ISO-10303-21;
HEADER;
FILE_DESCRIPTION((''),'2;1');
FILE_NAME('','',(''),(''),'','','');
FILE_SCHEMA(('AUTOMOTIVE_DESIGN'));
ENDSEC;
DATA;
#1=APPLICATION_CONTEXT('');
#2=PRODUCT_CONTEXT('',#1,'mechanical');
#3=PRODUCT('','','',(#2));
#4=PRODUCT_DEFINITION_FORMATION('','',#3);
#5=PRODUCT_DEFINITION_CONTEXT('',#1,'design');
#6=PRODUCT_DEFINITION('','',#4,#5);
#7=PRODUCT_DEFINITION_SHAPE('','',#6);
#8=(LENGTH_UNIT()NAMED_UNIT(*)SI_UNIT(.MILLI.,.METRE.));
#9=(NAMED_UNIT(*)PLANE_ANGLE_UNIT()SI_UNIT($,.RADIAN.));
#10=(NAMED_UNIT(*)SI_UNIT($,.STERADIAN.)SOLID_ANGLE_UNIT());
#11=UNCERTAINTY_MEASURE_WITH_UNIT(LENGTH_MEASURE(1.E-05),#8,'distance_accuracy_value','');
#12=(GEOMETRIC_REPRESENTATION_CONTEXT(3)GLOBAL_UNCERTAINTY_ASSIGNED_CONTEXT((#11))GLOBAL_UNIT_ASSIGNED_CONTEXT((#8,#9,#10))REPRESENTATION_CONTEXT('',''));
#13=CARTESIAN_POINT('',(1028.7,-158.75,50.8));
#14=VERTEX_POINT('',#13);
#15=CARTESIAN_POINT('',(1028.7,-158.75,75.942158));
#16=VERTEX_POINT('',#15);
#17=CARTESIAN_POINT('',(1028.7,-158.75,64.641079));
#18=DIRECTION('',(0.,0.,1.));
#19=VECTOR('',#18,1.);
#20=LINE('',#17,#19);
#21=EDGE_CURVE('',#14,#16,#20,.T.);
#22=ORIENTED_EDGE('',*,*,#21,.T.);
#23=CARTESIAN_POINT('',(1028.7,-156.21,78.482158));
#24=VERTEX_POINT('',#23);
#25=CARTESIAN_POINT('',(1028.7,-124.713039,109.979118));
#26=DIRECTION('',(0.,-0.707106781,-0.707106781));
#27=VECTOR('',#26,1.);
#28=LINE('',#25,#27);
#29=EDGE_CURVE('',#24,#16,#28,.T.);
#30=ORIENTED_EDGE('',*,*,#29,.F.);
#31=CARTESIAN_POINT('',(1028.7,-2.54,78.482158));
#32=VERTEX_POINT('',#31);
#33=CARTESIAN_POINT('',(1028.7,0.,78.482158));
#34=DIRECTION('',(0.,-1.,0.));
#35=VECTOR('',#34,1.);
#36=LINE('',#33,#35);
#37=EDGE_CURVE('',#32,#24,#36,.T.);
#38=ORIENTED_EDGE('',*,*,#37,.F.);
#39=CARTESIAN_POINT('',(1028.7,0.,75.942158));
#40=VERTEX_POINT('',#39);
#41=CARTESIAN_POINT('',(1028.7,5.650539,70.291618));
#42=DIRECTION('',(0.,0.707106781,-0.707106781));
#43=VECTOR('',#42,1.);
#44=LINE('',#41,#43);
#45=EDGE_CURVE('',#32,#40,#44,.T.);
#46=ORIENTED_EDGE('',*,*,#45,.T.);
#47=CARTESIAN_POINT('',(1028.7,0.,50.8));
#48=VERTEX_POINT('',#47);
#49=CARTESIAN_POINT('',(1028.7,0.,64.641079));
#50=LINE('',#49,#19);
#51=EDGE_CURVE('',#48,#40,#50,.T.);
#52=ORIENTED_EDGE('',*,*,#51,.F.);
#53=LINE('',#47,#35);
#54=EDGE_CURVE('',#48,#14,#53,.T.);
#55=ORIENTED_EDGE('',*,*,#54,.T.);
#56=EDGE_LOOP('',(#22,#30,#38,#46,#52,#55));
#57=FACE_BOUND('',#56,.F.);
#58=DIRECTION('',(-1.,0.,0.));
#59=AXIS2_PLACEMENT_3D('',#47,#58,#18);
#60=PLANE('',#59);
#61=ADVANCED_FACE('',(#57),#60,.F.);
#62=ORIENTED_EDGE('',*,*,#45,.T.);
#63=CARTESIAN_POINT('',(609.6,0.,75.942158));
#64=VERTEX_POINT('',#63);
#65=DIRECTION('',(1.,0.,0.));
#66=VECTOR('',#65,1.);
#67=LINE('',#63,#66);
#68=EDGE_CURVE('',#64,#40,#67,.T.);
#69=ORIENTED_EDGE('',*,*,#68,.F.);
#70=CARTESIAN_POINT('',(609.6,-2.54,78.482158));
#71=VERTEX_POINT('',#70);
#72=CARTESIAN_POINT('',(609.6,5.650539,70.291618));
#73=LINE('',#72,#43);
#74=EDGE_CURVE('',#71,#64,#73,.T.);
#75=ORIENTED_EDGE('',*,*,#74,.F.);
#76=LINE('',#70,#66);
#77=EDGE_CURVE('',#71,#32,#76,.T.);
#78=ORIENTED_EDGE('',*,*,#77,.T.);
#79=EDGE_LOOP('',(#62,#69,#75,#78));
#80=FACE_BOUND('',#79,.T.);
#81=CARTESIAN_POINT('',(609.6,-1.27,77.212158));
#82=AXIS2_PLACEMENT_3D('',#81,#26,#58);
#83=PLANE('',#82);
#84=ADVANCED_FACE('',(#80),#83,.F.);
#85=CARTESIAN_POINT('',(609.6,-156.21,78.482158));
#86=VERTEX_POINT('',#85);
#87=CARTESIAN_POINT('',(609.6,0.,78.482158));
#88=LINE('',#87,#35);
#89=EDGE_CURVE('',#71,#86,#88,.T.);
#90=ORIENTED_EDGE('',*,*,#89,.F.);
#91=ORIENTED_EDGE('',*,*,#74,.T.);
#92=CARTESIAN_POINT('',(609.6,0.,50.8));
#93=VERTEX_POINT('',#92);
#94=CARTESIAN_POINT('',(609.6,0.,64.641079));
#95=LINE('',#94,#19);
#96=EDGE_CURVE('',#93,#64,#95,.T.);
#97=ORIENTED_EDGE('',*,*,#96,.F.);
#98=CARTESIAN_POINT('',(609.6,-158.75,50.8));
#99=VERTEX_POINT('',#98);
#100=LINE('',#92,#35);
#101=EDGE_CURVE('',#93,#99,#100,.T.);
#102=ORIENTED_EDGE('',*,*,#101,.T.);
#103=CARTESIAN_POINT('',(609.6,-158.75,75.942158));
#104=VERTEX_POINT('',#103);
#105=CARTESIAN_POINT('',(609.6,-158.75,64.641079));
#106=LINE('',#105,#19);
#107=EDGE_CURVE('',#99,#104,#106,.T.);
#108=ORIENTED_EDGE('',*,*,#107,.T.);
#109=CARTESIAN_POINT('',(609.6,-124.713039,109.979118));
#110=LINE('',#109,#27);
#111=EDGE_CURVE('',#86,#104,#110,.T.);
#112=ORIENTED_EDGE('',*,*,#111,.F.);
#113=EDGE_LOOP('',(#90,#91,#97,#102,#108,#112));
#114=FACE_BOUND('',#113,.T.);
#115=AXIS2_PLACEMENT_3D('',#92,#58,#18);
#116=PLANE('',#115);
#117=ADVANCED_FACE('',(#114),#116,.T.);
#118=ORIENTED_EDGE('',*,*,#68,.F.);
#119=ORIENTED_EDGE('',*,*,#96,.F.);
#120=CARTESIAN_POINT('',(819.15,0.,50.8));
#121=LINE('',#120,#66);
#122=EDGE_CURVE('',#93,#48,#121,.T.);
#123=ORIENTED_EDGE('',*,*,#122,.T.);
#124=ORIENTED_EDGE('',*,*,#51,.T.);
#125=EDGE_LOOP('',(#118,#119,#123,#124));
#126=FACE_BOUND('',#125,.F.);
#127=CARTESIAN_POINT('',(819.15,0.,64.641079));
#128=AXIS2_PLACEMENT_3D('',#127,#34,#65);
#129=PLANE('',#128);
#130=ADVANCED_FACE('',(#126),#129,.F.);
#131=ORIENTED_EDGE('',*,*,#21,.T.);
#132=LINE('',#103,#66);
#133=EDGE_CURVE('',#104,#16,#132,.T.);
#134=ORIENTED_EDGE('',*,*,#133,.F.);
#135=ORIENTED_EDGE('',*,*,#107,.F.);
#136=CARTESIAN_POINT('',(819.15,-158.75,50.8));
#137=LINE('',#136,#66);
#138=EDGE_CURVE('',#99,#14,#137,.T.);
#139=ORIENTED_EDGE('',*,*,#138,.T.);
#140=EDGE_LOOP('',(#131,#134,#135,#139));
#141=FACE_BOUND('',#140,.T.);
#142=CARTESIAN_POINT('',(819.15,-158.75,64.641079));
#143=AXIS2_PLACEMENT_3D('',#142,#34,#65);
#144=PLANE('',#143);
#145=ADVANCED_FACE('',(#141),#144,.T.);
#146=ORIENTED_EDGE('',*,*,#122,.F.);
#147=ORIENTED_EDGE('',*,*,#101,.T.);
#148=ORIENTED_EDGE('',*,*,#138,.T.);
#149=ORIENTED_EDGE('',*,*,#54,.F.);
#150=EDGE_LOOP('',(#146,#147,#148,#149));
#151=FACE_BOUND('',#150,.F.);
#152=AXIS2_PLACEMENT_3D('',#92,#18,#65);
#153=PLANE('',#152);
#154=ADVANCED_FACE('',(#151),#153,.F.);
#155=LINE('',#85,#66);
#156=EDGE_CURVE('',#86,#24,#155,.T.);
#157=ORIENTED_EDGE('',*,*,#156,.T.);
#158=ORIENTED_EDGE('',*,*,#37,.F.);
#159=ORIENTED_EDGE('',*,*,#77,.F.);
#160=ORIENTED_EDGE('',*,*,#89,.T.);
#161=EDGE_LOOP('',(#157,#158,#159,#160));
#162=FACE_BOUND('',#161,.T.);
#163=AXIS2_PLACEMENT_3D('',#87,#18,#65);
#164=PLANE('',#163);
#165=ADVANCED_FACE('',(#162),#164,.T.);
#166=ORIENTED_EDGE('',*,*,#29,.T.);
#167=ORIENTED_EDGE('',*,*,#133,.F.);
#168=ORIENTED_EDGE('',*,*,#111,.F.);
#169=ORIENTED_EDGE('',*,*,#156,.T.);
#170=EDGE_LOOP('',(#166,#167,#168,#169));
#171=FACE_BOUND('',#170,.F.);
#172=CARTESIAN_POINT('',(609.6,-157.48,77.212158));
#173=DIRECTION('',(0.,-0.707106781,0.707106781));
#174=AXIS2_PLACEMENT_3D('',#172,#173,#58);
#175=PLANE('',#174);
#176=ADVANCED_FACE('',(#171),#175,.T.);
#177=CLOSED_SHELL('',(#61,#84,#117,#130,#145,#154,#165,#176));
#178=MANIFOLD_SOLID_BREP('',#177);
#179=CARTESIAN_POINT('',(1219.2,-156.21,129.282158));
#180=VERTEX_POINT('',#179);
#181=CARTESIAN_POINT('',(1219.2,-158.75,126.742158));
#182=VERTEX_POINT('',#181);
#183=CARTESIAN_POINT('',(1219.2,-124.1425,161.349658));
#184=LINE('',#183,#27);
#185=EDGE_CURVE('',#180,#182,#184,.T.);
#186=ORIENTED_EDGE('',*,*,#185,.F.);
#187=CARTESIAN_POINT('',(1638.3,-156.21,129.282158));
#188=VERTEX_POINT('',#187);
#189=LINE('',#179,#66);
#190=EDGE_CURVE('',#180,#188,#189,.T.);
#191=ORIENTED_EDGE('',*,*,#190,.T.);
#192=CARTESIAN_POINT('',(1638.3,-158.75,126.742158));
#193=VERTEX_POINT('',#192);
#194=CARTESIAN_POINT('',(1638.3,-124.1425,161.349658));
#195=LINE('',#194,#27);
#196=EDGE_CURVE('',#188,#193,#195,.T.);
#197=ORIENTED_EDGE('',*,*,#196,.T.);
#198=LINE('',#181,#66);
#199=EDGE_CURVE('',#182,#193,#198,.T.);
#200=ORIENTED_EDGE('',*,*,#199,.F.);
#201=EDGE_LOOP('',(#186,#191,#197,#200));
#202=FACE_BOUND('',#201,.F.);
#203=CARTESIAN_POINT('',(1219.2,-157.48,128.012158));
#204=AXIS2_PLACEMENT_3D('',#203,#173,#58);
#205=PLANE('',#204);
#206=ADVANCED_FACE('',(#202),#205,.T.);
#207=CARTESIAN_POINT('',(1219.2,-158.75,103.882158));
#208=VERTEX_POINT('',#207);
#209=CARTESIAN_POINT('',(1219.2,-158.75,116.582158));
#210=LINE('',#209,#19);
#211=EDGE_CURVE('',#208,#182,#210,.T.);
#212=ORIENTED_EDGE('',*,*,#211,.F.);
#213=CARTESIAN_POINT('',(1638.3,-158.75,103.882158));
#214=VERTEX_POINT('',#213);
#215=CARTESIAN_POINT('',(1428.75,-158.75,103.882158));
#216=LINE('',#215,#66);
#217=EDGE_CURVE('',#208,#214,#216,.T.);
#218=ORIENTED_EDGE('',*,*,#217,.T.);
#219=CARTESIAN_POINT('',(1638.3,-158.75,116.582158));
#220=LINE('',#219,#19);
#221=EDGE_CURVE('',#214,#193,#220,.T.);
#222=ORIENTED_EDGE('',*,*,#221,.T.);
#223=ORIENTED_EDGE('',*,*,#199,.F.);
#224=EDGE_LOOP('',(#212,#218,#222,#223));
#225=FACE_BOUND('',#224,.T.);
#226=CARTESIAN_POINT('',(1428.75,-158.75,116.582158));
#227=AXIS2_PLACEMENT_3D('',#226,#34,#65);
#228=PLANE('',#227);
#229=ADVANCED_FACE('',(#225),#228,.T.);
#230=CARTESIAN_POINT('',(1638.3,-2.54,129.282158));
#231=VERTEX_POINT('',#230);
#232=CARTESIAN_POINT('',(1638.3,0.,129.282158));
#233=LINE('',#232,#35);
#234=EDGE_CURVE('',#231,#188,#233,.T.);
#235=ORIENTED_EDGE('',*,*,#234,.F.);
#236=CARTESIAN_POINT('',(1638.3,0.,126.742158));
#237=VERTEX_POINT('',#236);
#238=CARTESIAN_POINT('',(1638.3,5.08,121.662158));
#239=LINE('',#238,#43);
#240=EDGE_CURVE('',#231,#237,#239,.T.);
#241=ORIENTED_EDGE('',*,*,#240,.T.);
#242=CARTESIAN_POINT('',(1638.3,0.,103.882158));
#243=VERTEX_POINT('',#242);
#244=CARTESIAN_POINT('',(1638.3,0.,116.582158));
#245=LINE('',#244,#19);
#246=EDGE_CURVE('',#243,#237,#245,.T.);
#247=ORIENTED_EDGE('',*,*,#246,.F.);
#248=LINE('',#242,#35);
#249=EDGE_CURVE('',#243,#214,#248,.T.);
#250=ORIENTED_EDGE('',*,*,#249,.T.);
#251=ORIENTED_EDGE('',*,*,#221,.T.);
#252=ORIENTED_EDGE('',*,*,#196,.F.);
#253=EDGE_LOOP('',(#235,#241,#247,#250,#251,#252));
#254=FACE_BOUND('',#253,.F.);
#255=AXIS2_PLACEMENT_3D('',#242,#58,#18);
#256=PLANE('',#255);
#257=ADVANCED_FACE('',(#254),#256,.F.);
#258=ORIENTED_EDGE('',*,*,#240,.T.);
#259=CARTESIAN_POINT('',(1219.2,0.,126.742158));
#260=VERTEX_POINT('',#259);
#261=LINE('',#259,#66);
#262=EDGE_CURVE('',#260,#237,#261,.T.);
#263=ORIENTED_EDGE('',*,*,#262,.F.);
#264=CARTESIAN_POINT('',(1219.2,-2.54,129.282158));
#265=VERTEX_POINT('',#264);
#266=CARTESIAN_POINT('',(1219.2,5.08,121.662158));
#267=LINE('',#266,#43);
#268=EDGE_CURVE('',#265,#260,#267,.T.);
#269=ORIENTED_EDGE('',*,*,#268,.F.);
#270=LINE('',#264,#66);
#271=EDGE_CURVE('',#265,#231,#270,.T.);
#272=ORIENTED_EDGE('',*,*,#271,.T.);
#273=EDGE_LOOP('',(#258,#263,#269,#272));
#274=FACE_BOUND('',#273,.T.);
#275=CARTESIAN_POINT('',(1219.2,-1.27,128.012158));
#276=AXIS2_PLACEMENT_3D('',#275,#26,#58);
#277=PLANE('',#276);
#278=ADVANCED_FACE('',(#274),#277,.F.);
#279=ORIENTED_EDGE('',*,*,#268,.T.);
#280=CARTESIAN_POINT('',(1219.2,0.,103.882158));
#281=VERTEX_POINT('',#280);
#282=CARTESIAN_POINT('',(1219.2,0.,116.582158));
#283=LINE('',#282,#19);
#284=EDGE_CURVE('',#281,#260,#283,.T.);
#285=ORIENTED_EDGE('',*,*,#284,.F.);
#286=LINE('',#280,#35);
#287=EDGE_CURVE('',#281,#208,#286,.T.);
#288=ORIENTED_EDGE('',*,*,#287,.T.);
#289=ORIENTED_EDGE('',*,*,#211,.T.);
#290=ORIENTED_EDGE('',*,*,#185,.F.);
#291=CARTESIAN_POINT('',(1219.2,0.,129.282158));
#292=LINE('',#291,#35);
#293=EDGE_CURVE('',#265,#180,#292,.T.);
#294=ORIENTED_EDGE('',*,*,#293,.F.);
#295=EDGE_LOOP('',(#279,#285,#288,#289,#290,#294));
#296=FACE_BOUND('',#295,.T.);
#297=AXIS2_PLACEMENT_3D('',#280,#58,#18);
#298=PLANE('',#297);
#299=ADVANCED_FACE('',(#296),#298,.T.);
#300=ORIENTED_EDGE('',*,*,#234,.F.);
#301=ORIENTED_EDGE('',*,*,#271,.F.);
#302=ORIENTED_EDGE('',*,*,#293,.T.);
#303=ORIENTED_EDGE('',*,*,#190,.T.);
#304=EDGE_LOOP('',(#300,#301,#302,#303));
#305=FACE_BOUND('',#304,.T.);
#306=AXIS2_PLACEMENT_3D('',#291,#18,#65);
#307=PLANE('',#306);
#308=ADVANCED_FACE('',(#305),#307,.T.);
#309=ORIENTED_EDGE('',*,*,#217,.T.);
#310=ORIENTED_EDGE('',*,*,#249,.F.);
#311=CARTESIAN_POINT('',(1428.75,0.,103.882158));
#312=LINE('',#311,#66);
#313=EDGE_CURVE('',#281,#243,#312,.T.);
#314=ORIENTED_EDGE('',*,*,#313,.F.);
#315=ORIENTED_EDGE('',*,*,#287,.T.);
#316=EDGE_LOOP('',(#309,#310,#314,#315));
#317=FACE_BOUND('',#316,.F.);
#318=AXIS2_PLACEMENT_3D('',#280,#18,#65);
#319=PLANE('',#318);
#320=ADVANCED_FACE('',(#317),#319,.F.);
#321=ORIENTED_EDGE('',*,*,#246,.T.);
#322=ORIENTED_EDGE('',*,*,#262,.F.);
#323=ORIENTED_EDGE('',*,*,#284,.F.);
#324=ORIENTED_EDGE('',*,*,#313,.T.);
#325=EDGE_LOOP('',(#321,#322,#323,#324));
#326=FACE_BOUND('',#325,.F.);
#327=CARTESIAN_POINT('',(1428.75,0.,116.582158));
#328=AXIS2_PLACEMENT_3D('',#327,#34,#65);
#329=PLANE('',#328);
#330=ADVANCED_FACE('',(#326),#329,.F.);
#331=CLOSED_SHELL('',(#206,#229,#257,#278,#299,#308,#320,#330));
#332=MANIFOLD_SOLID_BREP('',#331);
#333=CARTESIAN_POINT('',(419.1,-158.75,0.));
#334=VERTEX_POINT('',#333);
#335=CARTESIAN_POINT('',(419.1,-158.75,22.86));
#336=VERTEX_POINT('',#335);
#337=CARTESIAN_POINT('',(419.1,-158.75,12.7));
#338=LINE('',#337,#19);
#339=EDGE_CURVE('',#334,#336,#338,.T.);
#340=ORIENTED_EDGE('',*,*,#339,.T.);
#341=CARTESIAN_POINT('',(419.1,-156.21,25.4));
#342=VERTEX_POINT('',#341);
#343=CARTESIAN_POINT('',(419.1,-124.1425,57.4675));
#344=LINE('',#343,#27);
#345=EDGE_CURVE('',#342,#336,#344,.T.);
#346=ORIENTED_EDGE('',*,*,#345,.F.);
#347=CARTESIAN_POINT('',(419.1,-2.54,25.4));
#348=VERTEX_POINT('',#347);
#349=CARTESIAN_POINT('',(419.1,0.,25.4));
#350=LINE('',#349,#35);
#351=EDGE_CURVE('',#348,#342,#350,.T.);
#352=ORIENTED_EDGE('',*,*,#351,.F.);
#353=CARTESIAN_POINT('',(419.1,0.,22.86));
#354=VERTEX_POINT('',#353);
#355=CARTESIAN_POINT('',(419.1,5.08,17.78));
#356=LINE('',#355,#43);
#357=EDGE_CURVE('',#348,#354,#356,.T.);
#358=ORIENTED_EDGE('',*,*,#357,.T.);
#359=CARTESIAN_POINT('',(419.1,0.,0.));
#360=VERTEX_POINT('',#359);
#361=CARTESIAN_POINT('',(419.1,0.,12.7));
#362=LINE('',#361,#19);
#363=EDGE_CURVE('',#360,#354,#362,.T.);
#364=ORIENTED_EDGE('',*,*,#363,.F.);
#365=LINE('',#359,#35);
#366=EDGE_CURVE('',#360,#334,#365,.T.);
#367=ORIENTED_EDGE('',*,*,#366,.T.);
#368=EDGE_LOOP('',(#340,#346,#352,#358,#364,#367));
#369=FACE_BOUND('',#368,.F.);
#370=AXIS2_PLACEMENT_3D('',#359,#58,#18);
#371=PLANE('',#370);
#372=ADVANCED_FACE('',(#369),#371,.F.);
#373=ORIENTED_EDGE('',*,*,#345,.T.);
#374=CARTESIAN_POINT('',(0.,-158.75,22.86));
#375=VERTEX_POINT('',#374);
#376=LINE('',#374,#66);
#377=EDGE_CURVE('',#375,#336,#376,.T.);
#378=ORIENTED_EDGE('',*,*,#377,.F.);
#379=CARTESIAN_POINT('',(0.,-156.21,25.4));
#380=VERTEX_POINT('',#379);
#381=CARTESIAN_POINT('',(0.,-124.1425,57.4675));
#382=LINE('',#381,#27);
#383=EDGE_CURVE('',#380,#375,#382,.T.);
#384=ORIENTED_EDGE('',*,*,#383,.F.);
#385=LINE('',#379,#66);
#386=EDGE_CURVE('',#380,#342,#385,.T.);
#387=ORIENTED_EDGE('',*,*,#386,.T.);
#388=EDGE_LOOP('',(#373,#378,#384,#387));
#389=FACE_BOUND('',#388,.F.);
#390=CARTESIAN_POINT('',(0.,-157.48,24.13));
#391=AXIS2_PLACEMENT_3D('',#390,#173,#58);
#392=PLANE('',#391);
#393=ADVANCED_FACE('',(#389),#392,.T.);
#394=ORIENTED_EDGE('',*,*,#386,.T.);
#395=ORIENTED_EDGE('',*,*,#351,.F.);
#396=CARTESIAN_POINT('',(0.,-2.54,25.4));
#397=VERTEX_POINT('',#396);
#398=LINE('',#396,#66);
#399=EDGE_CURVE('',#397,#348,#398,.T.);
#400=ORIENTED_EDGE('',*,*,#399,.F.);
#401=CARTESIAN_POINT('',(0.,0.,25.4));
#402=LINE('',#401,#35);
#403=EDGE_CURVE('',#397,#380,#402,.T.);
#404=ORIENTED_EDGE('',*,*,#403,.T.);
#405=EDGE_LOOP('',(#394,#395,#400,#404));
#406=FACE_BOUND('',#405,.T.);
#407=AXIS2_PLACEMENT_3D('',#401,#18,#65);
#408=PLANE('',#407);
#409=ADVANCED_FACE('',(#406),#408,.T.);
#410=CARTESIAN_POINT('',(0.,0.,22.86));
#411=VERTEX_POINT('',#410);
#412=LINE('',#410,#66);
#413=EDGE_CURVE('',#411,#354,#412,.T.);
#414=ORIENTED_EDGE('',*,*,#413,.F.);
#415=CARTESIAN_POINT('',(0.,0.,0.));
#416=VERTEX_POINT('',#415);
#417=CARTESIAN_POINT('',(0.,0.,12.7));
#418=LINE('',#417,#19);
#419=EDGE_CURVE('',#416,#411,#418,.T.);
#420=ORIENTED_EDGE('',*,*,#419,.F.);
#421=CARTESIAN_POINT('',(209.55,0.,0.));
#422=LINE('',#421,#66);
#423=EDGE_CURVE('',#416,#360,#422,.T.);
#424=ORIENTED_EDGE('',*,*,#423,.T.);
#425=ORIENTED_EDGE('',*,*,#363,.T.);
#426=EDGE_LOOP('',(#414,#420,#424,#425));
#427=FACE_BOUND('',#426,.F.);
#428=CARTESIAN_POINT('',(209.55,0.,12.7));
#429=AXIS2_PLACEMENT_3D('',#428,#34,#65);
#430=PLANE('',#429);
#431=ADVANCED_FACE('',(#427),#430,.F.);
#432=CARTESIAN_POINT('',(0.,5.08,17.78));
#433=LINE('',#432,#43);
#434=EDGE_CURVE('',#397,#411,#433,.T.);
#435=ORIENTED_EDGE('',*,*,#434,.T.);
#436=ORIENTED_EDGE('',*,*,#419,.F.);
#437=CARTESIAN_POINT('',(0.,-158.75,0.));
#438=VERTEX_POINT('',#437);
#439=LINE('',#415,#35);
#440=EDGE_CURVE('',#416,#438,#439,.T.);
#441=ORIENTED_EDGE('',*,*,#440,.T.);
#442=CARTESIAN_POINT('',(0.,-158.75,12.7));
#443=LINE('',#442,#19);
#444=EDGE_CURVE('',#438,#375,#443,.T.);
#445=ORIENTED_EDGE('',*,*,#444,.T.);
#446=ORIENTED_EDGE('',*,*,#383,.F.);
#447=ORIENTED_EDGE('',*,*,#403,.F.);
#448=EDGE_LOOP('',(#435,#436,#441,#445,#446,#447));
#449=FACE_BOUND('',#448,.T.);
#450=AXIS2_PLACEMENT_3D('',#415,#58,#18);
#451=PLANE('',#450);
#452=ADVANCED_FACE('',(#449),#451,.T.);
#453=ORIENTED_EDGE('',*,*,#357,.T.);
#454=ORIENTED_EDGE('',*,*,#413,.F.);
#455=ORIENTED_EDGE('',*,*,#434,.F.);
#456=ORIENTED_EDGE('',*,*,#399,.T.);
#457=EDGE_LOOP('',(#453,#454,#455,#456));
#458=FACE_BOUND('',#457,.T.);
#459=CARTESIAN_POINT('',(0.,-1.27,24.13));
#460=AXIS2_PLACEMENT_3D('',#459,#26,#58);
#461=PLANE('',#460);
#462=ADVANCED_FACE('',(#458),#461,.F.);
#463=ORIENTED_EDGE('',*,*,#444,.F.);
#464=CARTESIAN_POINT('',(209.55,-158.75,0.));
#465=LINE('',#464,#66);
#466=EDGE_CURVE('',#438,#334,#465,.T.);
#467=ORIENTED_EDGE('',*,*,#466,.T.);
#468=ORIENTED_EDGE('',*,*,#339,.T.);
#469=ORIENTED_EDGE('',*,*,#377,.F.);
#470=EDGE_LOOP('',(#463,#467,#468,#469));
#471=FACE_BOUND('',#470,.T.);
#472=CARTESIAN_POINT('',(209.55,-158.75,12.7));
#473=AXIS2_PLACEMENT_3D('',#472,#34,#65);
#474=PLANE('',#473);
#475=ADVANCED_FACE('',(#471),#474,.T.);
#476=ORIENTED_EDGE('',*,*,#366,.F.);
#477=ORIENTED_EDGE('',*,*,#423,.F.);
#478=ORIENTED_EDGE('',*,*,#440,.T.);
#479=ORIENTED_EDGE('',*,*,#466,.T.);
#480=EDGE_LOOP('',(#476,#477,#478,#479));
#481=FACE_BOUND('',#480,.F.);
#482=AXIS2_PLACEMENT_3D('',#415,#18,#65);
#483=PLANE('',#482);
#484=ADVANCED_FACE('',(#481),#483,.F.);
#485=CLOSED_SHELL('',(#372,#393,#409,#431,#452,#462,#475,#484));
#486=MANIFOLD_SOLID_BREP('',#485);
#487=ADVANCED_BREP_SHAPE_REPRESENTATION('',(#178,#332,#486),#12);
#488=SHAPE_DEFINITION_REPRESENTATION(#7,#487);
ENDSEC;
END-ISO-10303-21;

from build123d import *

# Parameters (mm, degrees)
F0_W     = 419.1
F0_H     = 25.4
F0_H_2   = 27.682158
F1_DEPTH = 158.75
F2_SIZE  = 2.54


with BuildPart() as f1:
    # F0 (on Front) → F1 (new body)
    with BuildSketch(Plane.XZ):
        with Locations((209.55, 12.7)):
            Rectangle(F0_W, F0_H)
        with Locations((819.15, 64.641079)):
            Rectangle(F0_W, F0_H_2)
        with Locations((1428.75, 116.582158)):
            Rectangle(F0_W, F0_H)
    extrude(amount=F1_DEPTH)

    # F2
    f2_edges = [f1.edges().sort_by_distance(p)[0] for p in [
        (209.55, -158.75, 25.4),
        (819.15, -158.75, 78.482158),
        (1428.75, -158.75, 129.282158),
        (1428.75, 0, 129.282158),
        (819.15, 0, 78.482158),
        (209.55, 0, 25.4),
    ]]
    chamfer(f2_edges, length=F2_SIZE)


solid = f1.part
